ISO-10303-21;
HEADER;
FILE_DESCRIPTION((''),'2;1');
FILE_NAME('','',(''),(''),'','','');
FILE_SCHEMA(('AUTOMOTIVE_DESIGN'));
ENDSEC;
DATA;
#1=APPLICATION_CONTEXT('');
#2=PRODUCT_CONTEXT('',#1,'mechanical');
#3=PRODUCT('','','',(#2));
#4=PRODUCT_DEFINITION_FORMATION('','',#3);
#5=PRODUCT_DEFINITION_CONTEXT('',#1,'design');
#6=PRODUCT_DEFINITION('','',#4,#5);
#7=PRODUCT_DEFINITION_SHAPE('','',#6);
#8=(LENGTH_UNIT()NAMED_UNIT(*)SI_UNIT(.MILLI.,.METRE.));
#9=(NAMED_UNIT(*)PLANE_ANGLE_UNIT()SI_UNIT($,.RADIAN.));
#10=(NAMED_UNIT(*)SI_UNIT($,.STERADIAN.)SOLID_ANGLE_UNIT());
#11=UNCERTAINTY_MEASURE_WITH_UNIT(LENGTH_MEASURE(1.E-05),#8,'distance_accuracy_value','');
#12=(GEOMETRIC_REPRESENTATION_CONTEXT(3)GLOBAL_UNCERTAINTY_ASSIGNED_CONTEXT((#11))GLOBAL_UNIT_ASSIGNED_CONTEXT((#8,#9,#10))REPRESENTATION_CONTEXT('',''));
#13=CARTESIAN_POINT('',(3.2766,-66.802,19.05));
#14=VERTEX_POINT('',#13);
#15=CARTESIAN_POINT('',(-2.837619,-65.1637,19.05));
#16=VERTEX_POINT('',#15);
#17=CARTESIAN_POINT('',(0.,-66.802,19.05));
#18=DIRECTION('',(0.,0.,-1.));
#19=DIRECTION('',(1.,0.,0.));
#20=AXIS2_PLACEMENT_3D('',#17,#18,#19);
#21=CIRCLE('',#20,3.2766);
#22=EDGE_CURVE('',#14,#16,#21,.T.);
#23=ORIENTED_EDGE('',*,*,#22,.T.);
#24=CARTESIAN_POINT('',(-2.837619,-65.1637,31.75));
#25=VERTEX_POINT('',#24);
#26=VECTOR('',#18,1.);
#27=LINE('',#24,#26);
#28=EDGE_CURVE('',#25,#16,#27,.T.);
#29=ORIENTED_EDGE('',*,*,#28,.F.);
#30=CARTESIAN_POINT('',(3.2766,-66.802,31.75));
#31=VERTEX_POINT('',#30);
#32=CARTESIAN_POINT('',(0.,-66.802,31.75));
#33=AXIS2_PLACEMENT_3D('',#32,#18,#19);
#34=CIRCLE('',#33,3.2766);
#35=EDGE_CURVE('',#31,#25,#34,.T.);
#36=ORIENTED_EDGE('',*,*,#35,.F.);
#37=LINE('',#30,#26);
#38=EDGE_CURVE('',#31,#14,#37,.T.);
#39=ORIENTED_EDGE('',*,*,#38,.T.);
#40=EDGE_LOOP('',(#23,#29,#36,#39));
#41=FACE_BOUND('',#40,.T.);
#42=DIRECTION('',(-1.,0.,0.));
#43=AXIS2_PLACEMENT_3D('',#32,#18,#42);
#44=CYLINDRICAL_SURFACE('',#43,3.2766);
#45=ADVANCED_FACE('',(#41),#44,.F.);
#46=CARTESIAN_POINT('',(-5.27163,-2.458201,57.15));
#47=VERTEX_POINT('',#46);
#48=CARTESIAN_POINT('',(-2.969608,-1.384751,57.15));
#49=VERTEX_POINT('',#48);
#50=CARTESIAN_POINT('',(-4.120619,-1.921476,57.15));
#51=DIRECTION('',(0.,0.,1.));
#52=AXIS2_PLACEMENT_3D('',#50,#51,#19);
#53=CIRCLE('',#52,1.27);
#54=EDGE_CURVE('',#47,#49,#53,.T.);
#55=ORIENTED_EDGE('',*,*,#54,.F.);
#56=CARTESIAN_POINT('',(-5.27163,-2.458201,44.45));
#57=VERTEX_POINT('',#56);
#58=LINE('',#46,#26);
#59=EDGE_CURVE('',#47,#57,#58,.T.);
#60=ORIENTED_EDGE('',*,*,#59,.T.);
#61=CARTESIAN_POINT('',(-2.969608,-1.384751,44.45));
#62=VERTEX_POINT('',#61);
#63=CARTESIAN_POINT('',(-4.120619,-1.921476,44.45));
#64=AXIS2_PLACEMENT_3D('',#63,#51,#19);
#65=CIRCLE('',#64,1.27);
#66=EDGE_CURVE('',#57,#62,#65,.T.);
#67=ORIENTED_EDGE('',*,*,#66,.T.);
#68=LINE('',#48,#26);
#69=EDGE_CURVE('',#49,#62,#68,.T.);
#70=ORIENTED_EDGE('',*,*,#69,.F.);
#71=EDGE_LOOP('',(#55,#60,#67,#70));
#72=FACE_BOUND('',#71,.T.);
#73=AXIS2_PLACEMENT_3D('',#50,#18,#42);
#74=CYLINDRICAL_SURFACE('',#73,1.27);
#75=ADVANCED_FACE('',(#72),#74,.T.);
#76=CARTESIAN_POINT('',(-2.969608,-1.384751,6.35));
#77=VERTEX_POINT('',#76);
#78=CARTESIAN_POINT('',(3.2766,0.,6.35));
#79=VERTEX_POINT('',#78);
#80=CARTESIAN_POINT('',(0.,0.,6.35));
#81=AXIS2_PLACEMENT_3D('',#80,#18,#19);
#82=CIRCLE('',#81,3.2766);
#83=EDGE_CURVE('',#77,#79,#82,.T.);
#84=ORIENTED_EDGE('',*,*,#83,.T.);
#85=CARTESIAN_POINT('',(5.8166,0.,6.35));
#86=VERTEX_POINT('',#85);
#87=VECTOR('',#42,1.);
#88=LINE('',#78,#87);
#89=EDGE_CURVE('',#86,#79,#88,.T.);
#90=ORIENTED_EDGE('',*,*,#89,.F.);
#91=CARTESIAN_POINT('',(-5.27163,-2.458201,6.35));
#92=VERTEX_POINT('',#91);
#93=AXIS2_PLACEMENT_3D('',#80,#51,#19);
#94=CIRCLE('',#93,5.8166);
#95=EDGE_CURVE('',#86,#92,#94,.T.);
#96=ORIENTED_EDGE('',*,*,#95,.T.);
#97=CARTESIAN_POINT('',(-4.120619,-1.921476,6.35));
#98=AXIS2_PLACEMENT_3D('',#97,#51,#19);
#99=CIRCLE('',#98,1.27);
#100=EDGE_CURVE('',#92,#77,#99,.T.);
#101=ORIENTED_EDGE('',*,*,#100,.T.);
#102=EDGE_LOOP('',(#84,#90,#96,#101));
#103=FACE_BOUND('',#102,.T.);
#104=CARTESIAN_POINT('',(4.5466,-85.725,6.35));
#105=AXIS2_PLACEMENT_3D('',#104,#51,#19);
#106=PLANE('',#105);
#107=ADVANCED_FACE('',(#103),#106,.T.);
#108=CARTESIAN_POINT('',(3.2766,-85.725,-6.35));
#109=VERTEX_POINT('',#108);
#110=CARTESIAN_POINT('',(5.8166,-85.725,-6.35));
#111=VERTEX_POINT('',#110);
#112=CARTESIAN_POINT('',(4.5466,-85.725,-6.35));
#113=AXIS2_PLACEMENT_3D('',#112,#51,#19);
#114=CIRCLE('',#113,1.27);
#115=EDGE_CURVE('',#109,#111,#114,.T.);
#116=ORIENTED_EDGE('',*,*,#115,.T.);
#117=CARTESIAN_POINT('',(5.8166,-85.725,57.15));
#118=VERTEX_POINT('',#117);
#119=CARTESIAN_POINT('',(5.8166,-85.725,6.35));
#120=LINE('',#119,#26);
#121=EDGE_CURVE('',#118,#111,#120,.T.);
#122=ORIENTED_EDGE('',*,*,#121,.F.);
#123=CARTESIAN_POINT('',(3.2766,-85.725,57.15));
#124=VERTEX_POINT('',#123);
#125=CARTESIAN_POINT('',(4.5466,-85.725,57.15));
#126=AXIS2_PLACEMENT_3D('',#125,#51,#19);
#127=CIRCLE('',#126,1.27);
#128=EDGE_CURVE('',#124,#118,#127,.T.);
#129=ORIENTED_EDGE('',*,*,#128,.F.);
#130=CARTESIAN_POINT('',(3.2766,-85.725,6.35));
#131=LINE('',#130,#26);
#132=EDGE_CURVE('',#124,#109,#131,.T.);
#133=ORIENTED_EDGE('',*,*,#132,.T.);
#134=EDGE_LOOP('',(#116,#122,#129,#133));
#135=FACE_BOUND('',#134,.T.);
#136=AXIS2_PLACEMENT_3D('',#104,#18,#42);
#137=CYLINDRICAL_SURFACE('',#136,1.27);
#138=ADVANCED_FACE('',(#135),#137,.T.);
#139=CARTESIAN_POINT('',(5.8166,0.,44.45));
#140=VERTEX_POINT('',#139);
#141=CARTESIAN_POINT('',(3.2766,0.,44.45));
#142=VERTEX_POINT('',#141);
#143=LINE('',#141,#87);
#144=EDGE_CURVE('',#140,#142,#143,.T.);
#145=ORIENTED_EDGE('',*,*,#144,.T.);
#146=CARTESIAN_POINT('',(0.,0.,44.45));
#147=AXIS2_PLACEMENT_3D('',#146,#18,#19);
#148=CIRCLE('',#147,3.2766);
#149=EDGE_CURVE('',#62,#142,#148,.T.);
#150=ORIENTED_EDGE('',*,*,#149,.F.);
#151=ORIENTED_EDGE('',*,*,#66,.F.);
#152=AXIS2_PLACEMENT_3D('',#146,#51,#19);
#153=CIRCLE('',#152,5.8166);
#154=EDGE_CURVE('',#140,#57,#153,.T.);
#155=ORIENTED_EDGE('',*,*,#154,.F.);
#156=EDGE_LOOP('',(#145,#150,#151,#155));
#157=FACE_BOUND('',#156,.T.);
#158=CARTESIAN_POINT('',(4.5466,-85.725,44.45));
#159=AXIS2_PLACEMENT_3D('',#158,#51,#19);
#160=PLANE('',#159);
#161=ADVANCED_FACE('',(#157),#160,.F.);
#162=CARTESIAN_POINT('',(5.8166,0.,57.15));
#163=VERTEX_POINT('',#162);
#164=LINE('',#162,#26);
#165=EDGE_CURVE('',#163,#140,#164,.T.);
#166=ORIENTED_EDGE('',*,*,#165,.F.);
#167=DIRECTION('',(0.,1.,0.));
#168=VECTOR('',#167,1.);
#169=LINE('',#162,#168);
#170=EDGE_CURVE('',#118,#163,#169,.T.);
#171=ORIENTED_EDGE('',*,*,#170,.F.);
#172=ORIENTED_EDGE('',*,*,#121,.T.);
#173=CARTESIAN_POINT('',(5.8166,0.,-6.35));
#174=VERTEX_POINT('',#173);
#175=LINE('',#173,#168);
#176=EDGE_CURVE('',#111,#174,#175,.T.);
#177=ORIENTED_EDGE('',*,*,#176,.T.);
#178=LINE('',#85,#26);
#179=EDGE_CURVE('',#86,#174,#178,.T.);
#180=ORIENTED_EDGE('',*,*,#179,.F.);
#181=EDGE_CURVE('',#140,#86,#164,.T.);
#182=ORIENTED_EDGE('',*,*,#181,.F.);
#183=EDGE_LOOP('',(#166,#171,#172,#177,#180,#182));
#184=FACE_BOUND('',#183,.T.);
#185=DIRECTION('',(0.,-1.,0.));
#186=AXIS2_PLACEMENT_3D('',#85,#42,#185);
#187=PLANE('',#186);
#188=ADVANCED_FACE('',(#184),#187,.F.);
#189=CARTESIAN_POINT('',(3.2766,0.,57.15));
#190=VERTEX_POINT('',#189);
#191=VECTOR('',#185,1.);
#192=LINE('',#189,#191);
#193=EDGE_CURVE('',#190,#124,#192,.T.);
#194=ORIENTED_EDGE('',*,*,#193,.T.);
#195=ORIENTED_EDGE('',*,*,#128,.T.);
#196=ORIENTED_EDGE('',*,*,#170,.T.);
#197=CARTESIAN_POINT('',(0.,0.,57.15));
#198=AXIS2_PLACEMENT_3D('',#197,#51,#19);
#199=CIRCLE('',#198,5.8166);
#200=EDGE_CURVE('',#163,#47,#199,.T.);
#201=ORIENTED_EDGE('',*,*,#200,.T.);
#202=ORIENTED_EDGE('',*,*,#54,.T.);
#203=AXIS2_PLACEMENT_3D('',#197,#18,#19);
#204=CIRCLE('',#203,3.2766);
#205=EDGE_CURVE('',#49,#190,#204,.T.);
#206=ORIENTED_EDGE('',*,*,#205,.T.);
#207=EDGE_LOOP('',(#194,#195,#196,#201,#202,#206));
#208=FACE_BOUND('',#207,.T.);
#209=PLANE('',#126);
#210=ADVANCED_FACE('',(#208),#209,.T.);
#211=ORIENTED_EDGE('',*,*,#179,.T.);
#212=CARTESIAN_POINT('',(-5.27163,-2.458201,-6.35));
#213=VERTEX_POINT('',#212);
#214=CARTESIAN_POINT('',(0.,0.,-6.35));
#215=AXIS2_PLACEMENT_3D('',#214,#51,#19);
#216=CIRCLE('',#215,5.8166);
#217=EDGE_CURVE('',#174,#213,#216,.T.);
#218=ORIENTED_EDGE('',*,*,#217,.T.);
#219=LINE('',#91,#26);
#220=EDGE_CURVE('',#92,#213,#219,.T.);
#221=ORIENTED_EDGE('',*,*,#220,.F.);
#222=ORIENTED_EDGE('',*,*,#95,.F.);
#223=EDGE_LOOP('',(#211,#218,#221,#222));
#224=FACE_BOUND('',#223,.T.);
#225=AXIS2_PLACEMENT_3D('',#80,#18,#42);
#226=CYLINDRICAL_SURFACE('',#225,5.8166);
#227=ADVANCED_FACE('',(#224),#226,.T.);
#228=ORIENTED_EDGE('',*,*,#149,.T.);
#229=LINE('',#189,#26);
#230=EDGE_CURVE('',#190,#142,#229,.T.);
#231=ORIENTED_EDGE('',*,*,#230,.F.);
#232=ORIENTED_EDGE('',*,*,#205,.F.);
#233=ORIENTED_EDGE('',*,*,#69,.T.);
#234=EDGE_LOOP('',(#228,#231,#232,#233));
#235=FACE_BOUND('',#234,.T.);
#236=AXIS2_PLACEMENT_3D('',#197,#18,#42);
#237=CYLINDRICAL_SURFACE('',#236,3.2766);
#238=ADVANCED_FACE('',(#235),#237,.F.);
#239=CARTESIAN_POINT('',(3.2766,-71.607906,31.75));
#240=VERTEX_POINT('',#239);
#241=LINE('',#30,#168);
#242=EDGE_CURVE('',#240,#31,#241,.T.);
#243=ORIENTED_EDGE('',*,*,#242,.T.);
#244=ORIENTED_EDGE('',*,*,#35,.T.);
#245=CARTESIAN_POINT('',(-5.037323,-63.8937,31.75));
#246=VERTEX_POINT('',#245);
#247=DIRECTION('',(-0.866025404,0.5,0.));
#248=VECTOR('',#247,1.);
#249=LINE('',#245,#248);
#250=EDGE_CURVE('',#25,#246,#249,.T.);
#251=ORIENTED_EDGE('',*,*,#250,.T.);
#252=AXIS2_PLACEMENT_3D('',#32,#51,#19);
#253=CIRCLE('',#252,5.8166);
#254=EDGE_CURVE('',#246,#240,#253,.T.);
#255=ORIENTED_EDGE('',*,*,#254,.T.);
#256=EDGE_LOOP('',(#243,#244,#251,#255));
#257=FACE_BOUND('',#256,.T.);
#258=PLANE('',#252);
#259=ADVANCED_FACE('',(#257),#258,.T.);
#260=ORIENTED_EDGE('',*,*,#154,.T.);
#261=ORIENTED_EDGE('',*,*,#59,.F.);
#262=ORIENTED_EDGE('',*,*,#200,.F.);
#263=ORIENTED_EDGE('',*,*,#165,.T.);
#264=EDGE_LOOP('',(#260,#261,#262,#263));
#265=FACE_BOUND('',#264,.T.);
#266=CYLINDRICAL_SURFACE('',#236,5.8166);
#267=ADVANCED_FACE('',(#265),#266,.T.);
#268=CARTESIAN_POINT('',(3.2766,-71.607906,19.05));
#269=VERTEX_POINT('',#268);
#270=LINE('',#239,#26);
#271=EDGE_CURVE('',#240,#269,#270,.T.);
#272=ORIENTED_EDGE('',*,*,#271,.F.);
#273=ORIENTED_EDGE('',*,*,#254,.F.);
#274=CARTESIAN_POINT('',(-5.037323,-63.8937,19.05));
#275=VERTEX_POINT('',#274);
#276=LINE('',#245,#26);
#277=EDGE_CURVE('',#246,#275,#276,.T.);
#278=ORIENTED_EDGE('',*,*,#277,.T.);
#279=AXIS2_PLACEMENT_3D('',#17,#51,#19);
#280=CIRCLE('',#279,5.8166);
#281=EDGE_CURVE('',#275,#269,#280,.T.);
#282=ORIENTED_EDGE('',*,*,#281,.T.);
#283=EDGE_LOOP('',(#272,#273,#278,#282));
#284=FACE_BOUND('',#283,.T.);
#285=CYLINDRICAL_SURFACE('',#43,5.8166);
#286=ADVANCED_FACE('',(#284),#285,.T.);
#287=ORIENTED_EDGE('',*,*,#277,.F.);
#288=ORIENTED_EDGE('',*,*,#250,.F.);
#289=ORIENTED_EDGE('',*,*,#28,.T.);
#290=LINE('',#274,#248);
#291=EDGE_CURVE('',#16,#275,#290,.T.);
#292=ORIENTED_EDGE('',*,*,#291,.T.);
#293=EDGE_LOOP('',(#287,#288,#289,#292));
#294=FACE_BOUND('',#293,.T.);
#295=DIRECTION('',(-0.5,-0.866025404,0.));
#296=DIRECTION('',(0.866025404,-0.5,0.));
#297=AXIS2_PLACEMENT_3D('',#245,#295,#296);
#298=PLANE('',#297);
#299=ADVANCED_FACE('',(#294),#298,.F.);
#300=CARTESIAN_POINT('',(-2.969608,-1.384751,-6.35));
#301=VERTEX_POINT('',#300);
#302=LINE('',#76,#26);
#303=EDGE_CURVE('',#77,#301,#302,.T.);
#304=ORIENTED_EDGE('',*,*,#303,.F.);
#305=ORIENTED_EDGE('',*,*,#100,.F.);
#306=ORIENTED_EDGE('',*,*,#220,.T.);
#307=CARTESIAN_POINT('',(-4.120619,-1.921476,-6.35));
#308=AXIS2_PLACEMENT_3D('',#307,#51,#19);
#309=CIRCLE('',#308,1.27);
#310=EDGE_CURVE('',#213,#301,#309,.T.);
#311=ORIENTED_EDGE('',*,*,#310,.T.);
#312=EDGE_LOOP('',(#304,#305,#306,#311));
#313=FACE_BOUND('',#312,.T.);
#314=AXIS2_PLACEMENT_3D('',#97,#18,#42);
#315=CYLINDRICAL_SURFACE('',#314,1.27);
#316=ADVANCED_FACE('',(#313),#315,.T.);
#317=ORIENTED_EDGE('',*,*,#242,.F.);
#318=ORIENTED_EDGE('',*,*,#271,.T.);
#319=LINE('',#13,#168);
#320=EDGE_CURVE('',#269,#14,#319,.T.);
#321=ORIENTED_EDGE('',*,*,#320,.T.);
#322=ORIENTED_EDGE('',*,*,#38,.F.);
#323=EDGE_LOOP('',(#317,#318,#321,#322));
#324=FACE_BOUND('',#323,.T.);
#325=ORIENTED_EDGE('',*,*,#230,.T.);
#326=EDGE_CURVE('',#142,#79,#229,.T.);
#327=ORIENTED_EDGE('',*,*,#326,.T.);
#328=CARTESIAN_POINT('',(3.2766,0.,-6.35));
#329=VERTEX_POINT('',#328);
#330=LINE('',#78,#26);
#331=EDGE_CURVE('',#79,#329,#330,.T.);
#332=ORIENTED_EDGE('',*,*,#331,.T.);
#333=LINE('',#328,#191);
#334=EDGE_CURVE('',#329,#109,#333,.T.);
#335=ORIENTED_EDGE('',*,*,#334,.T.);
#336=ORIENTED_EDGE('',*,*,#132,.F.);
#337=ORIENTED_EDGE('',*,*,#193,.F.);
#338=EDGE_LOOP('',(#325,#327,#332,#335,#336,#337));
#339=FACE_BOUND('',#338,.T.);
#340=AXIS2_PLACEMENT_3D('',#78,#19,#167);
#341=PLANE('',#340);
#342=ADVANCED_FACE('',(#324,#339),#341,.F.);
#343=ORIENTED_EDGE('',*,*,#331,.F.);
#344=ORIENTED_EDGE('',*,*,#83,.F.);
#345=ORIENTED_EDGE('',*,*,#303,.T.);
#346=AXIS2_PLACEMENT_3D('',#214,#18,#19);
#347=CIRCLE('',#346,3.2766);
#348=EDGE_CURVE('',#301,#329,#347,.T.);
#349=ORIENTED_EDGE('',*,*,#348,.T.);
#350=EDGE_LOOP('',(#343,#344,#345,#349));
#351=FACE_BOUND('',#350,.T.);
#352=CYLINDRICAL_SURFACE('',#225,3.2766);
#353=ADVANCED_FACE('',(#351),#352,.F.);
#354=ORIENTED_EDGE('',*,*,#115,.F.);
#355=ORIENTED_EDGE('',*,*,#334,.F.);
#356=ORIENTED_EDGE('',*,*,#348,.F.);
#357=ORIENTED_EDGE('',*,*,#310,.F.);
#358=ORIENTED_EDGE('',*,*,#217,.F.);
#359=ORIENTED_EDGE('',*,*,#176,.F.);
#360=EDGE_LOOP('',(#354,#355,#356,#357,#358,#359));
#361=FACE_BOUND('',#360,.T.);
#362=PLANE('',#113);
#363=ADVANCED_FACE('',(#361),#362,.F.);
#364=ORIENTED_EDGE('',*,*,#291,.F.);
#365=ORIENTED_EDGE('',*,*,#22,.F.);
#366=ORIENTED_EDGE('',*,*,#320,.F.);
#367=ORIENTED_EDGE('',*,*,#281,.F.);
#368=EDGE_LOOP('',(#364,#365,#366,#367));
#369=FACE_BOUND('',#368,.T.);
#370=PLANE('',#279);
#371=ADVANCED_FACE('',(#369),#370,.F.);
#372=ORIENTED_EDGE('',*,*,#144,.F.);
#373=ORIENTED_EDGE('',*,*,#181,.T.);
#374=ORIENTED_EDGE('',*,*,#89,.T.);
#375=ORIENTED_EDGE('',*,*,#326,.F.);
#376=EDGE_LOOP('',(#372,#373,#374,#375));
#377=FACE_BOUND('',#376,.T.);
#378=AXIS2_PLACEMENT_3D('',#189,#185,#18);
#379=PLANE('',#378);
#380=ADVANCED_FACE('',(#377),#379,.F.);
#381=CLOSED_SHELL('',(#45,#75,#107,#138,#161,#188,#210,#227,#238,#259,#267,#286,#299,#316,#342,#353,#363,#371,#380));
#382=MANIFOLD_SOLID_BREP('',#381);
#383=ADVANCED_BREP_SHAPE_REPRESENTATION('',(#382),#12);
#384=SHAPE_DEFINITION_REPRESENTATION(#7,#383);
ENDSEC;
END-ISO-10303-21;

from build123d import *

# Parameters (mm, degrees)
BOSS_EXTRUDE1_DEPTH = 6.35
BOSS_EXTRUDE2_START = 50.8
BOSS_EXTRUDE2_DEPTH = 50.8
LPATTERN1_COUNT     = 2
LPATTERN1_PITCH     = 50.8
BOSS_EXTRUDE3_DEPTH = 6.35


with BuildPart() as part:
    # Sketch1 → Boss-Extrude1 (new, symmetric)
    with BuildSketch(Plane.XY):
        with BuildLine():
            Line((3.2766, 0), (3.2766, -85.725))
            ThreePointArc((3.2766, -85.725), (4.5466, -86.995), (5.8166, -85.725))
            Line((5.8166, -85.725), (5.8166, 0))
            ThreePointArc((5.8166, 0), (-1.258942658, 5.678723355), (-5.271629874, -2.458201381))
            ThreePointArc((-5.271629874, -2.458201381), (-3.583893792, -3.072487078), (-2.969608095, -1.384750996))
            ThreePointArc((-2.969608095, -1.384750996), (-0.709186039, 3.198931497), (3.2766, 0))
        make_face()
    boss_extrude1 = extrude(amount=BOSS_EXTRUDE1_DEPTH, both=True)

    # Sketch2 → Boss-Extrude2 (add)
    with BuildSketch(Plane.XY.offset(6.35).offset(BOSS_EXTRUDE2_START)):
        with BuildLine():
            Line((3.2766, 0), (5.8166, 0))
            Line((5.8166, 0), (5.8166, -85.725))
            ThreePointArc((5.8166, -85.725), (4.5466, -86.995), (3.2766, -85.725))
            Line((3.2766, -85.725), (3.2766, 0))
        make_face()
    extrude(amount=-BOSS_EXTRUDE2_DEPTH)

    # LPattern1: Boss-Extrude1 ×2
    with Locations(*[(0, 0, i * LPATTERN1_PITCH) for i in range(1, LPATTERN1_COUNT)]):
        add(boss_extrude1)

    # Sketch4 → Boss-Extrude3 (add, symmetric)
    with BuildSketch(Plane.XY.offset(25.4)):
        with BuildLine():
            Line((3.2766, -66.802), (3.2766, -71.607905534))
            ThreePointArc((3.2766, -71.607905534), (-3.956296051, -71.065866451), (-5.037323364, -63.8937))
            Line((-5.037323364, -63.8937), (-2.837618838, -65.1637))
            ThreePointArc((-2.837618838, -65.1637), (-0.848046483, -69.966952562), (3.2766, -66.802))
        make_face()
    extrude(amount=BOSS_EXTRUDE3_DEPTH, both=True)


solid = part.part
